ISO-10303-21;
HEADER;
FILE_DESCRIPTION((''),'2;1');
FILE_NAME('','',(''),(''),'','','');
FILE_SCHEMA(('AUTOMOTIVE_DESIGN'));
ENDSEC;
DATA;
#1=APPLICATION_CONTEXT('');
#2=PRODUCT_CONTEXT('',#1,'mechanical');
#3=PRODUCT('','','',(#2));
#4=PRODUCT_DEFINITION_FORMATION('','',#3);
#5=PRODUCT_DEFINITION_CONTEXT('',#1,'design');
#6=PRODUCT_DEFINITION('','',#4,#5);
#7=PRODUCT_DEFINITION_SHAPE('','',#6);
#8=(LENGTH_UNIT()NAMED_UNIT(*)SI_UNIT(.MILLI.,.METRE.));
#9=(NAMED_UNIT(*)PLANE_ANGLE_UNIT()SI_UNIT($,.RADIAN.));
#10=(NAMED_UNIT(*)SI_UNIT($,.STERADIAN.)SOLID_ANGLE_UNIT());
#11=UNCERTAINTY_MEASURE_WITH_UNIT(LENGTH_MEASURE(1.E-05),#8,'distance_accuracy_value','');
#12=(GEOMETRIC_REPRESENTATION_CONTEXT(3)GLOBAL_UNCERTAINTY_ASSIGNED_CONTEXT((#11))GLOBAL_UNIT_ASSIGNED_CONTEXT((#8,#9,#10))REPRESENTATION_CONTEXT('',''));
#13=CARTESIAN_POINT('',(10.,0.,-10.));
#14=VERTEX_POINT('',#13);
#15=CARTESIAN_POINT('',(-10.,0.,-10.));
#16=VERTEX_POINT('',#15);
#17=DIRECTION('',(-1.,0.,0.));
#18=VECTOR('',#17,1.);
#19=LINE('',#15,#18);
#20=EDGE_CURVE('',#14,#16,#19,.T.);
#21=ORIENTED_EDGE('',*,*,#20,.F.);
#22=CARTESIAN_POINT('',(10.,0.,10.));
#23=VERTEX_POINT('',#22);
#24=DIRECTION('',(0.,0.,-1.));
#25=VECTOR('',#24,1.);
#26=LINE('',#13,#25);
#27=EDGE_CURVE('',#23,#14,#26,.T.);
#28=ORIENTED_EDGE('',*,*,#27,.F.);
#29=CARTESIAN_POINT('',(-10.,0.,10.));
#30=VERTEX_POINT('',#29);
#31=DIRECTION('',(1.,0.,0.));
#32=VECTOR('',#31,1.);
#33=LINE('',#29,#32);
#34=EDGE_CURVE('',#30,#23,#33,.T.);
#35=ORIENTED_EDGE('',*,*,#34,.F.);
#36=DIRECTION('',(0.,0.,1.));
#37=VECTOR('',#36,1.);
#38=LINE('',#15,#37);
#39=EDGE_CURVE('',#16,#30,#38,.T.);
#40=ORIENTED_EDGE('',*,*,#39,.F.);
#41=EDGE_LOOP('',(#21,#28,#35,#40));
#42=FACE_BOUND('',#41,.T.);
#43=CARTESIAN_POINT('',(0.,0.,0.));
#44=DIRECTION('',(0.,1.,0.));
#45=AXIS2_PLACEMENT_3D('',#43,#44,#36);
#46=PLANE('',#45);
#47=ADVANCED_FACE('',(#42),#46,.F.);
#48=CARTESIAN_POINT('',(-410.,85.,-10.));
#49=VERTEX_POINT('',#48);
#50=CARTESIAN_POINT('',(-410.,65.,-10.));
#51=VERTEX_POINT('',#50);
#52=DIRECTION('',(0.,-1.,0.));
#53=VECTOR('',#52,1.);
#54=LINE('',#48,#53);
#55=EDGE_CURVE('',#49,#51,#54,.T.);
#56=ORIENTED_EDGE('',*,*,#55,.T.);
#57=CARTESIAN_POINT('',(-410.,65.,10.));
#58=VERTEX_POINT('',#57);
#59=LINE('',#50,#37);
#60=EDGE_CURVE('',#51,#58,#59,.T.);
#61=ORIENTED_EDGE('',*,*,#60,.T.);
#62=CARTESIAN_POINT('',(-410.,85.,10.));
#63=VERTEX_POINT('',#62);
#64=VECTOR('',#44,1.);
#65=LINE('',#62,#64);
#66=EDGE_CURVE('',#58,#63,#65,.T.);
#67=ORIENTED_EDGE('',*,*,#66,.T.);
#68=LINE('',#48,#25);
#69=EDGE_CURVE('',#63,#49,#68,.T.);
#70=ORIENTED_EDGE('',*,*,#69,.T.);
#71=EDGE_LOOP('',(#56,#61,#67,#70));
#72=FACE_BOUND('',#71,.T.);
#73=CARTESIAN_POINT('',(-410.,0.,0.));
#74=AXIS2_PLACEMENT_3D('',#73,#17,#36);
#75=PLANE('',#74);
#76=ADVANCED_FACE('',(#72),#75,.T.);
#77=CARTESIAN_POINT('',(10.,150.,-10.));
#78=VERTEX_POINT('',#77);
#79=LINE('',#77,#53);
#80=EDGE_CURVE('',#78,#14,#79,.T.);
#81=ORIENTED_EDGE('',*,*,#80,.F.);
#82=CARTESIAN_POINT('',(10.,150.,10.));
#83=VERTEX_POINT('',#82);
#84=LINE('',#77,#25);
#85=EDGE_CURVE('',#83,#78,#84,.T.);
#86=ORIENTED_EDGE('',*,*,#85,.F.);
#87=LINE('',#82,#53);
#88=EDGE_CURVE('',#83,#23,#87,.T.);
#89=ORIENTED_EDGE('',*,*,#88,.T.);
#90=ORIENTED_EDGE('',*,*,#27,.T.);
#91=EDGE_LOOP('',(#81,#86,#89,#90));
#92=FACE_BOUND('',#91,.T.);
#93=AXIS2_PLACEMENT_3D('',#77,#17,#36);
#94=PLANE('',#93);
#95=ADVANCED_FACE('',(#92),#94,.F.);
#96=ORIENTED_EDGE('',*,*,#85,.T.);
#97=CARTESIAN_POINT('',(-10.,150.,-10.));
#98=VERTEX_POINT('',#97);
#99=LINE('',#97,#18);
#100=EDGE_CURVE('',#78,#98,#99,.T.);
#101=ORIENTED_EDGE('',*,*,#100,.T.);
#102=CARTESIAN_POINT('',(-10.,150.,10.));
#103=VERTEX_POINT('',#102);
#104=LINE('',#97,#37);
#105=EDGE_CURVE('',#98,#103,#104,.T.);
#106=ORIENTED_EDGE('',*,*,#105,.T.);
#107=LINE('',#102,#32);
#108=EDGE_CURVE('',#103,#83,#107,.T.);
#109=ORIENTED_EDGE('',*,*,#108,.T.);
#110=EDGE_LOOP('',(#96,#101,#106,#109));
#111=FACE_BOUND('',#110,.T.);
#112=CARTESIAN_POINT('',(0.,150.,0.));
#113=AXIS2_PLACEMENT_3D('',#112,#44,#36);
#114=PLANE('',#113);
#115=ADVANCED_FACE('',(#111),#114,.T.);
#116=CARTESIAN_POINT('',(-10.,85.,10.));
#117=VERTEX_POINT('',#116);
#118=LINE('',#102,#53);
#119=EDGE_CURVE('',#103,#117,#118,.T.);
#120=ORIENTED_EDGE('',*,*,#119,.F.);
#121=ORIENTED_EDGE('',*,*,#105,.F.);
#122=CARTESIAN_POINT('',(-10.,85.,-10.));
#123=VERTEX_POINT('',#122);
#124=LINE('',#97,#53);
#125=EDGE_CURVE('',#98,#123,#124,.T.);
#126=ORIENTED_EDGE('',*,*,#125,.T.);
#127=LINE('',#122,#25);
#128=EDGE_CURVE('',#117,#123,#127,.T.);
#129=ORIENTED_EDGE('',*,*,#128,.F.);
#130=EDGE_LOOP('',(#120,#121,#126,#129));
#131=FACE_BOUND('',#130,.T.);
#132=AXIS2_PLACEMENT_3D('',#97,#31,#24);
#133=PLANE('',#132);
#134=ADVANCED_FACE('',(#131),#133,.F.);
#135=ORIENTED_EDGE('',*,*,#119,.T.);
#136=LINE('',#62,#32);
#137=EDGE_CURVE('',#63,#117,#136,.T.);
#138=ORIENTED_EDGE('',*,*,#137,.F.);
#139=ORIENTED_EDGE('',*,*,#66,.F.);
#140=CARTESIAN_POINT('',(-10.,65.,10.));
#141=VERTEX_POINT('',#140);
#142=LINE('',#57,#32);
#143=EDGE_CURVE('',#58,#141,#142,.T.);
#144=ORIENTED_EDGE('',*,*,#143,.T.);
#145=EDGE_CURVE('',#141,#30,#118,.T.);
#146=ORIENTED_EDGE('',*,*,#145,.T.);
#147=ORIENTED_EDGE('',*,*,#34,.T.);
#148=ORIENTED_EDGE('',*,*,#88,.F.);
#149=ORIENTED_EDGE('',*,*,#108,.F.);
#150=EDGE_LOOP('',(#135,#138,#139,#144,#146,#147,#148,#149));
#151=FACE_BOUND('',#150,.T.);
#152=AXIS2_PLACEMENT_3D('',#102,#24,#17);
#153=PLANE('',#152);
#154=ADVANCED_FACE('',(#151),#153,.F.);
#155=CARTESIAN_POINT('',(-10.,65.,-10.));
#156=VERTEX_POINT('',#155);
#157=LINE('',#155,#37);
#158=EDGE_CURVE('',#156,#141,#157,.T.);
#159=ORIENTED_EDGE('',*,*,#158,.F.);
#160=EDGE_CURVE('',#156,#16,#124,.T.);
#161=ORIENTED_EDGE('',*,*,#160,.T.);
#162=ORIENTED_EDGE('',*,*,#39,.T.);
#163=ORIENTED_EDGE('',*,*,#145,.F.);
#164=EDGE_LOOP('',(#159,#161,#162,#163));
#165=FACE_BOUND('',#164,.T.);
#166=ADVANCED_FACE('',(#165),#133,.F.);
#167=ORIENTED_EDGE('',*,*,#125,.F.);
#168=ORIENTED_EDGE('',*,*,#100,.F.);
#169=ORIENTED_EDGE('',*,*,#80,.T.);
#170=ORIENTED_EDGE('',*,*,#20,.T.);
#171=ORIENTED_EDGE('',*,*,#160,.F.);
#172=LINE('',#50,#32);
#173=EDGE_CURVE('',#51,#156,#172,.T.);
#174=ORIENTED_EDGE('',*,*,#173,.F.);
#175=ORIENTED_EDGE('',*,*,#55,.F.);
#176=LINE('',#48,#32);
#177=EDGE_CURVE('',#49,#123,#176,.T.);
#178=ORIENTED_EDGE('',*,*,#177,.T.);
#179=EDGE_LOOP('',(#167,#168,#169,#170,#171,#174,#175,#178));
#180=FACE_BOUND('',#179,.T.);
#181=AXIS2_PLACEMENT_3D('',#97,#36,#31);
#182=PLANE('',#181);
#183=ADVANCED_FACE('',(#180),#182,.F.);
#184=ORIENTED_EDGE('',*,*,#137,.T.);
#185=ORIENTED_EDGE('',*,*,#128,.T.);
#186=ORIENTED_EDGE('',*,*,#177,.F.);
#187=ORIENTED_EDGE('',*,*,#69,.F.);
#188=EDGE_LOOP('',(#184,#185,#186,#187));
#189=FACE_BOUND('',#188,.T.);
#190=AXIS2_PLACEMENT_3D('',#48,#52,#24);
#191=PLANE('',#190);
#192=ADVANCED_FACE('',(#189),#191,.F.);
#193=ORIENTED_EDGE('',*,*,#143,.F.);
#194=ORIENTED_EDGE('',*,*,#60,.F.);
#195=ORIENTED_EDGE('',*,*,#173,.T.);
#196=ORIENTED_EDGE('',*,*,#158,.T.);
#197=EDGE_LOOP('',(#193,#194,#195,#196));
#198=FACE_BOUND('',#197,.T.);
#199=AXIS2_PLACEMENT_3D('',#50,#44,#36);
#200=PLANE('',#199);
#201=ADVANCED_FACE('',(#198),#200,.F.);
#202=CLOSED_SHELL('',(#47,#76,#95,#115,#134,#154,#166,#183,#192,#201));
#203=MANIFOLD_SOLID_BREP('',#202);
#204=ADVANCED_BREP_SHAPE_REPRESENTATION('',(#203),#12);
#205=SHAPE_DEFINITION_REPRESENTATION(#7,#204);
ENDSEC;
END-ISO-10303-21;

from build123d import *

# Parameters (mm, degrees)
SKETCH1_W           = 20
SKETCH1_H           = 20
BOSS_EXTRUDE1_DEPTH = 150
SKETCH2_W           = 20
SKETCH2_H           = 20
BOSS_EXTRUDE2_DEPTH = 400


with BuildPart() as part:
    # Sketch1 → Boss-Extrude1 (new body)
    with BuildSketch(Plane(origin=(0, 0, 0), x_dir=(1, 0, 0), z_dir=(0, 1, 0))):
        Rectangle(SKETCH1_W, SKETCH1_H)
    extrude(amount=BOSS_EXTRUDE1_DEPTH)

    # Sketch2 → Boss-Extrude2 (add)
    with BuildSketch(Plane.ZY.offset(10)):
        with Locations((0, 75)):
            Rectangle(SKETCH2_W, SKETCH2_H)
    extrude(amount=BOSS_EXTRUDE2_DEPTH)


solid = part.part
